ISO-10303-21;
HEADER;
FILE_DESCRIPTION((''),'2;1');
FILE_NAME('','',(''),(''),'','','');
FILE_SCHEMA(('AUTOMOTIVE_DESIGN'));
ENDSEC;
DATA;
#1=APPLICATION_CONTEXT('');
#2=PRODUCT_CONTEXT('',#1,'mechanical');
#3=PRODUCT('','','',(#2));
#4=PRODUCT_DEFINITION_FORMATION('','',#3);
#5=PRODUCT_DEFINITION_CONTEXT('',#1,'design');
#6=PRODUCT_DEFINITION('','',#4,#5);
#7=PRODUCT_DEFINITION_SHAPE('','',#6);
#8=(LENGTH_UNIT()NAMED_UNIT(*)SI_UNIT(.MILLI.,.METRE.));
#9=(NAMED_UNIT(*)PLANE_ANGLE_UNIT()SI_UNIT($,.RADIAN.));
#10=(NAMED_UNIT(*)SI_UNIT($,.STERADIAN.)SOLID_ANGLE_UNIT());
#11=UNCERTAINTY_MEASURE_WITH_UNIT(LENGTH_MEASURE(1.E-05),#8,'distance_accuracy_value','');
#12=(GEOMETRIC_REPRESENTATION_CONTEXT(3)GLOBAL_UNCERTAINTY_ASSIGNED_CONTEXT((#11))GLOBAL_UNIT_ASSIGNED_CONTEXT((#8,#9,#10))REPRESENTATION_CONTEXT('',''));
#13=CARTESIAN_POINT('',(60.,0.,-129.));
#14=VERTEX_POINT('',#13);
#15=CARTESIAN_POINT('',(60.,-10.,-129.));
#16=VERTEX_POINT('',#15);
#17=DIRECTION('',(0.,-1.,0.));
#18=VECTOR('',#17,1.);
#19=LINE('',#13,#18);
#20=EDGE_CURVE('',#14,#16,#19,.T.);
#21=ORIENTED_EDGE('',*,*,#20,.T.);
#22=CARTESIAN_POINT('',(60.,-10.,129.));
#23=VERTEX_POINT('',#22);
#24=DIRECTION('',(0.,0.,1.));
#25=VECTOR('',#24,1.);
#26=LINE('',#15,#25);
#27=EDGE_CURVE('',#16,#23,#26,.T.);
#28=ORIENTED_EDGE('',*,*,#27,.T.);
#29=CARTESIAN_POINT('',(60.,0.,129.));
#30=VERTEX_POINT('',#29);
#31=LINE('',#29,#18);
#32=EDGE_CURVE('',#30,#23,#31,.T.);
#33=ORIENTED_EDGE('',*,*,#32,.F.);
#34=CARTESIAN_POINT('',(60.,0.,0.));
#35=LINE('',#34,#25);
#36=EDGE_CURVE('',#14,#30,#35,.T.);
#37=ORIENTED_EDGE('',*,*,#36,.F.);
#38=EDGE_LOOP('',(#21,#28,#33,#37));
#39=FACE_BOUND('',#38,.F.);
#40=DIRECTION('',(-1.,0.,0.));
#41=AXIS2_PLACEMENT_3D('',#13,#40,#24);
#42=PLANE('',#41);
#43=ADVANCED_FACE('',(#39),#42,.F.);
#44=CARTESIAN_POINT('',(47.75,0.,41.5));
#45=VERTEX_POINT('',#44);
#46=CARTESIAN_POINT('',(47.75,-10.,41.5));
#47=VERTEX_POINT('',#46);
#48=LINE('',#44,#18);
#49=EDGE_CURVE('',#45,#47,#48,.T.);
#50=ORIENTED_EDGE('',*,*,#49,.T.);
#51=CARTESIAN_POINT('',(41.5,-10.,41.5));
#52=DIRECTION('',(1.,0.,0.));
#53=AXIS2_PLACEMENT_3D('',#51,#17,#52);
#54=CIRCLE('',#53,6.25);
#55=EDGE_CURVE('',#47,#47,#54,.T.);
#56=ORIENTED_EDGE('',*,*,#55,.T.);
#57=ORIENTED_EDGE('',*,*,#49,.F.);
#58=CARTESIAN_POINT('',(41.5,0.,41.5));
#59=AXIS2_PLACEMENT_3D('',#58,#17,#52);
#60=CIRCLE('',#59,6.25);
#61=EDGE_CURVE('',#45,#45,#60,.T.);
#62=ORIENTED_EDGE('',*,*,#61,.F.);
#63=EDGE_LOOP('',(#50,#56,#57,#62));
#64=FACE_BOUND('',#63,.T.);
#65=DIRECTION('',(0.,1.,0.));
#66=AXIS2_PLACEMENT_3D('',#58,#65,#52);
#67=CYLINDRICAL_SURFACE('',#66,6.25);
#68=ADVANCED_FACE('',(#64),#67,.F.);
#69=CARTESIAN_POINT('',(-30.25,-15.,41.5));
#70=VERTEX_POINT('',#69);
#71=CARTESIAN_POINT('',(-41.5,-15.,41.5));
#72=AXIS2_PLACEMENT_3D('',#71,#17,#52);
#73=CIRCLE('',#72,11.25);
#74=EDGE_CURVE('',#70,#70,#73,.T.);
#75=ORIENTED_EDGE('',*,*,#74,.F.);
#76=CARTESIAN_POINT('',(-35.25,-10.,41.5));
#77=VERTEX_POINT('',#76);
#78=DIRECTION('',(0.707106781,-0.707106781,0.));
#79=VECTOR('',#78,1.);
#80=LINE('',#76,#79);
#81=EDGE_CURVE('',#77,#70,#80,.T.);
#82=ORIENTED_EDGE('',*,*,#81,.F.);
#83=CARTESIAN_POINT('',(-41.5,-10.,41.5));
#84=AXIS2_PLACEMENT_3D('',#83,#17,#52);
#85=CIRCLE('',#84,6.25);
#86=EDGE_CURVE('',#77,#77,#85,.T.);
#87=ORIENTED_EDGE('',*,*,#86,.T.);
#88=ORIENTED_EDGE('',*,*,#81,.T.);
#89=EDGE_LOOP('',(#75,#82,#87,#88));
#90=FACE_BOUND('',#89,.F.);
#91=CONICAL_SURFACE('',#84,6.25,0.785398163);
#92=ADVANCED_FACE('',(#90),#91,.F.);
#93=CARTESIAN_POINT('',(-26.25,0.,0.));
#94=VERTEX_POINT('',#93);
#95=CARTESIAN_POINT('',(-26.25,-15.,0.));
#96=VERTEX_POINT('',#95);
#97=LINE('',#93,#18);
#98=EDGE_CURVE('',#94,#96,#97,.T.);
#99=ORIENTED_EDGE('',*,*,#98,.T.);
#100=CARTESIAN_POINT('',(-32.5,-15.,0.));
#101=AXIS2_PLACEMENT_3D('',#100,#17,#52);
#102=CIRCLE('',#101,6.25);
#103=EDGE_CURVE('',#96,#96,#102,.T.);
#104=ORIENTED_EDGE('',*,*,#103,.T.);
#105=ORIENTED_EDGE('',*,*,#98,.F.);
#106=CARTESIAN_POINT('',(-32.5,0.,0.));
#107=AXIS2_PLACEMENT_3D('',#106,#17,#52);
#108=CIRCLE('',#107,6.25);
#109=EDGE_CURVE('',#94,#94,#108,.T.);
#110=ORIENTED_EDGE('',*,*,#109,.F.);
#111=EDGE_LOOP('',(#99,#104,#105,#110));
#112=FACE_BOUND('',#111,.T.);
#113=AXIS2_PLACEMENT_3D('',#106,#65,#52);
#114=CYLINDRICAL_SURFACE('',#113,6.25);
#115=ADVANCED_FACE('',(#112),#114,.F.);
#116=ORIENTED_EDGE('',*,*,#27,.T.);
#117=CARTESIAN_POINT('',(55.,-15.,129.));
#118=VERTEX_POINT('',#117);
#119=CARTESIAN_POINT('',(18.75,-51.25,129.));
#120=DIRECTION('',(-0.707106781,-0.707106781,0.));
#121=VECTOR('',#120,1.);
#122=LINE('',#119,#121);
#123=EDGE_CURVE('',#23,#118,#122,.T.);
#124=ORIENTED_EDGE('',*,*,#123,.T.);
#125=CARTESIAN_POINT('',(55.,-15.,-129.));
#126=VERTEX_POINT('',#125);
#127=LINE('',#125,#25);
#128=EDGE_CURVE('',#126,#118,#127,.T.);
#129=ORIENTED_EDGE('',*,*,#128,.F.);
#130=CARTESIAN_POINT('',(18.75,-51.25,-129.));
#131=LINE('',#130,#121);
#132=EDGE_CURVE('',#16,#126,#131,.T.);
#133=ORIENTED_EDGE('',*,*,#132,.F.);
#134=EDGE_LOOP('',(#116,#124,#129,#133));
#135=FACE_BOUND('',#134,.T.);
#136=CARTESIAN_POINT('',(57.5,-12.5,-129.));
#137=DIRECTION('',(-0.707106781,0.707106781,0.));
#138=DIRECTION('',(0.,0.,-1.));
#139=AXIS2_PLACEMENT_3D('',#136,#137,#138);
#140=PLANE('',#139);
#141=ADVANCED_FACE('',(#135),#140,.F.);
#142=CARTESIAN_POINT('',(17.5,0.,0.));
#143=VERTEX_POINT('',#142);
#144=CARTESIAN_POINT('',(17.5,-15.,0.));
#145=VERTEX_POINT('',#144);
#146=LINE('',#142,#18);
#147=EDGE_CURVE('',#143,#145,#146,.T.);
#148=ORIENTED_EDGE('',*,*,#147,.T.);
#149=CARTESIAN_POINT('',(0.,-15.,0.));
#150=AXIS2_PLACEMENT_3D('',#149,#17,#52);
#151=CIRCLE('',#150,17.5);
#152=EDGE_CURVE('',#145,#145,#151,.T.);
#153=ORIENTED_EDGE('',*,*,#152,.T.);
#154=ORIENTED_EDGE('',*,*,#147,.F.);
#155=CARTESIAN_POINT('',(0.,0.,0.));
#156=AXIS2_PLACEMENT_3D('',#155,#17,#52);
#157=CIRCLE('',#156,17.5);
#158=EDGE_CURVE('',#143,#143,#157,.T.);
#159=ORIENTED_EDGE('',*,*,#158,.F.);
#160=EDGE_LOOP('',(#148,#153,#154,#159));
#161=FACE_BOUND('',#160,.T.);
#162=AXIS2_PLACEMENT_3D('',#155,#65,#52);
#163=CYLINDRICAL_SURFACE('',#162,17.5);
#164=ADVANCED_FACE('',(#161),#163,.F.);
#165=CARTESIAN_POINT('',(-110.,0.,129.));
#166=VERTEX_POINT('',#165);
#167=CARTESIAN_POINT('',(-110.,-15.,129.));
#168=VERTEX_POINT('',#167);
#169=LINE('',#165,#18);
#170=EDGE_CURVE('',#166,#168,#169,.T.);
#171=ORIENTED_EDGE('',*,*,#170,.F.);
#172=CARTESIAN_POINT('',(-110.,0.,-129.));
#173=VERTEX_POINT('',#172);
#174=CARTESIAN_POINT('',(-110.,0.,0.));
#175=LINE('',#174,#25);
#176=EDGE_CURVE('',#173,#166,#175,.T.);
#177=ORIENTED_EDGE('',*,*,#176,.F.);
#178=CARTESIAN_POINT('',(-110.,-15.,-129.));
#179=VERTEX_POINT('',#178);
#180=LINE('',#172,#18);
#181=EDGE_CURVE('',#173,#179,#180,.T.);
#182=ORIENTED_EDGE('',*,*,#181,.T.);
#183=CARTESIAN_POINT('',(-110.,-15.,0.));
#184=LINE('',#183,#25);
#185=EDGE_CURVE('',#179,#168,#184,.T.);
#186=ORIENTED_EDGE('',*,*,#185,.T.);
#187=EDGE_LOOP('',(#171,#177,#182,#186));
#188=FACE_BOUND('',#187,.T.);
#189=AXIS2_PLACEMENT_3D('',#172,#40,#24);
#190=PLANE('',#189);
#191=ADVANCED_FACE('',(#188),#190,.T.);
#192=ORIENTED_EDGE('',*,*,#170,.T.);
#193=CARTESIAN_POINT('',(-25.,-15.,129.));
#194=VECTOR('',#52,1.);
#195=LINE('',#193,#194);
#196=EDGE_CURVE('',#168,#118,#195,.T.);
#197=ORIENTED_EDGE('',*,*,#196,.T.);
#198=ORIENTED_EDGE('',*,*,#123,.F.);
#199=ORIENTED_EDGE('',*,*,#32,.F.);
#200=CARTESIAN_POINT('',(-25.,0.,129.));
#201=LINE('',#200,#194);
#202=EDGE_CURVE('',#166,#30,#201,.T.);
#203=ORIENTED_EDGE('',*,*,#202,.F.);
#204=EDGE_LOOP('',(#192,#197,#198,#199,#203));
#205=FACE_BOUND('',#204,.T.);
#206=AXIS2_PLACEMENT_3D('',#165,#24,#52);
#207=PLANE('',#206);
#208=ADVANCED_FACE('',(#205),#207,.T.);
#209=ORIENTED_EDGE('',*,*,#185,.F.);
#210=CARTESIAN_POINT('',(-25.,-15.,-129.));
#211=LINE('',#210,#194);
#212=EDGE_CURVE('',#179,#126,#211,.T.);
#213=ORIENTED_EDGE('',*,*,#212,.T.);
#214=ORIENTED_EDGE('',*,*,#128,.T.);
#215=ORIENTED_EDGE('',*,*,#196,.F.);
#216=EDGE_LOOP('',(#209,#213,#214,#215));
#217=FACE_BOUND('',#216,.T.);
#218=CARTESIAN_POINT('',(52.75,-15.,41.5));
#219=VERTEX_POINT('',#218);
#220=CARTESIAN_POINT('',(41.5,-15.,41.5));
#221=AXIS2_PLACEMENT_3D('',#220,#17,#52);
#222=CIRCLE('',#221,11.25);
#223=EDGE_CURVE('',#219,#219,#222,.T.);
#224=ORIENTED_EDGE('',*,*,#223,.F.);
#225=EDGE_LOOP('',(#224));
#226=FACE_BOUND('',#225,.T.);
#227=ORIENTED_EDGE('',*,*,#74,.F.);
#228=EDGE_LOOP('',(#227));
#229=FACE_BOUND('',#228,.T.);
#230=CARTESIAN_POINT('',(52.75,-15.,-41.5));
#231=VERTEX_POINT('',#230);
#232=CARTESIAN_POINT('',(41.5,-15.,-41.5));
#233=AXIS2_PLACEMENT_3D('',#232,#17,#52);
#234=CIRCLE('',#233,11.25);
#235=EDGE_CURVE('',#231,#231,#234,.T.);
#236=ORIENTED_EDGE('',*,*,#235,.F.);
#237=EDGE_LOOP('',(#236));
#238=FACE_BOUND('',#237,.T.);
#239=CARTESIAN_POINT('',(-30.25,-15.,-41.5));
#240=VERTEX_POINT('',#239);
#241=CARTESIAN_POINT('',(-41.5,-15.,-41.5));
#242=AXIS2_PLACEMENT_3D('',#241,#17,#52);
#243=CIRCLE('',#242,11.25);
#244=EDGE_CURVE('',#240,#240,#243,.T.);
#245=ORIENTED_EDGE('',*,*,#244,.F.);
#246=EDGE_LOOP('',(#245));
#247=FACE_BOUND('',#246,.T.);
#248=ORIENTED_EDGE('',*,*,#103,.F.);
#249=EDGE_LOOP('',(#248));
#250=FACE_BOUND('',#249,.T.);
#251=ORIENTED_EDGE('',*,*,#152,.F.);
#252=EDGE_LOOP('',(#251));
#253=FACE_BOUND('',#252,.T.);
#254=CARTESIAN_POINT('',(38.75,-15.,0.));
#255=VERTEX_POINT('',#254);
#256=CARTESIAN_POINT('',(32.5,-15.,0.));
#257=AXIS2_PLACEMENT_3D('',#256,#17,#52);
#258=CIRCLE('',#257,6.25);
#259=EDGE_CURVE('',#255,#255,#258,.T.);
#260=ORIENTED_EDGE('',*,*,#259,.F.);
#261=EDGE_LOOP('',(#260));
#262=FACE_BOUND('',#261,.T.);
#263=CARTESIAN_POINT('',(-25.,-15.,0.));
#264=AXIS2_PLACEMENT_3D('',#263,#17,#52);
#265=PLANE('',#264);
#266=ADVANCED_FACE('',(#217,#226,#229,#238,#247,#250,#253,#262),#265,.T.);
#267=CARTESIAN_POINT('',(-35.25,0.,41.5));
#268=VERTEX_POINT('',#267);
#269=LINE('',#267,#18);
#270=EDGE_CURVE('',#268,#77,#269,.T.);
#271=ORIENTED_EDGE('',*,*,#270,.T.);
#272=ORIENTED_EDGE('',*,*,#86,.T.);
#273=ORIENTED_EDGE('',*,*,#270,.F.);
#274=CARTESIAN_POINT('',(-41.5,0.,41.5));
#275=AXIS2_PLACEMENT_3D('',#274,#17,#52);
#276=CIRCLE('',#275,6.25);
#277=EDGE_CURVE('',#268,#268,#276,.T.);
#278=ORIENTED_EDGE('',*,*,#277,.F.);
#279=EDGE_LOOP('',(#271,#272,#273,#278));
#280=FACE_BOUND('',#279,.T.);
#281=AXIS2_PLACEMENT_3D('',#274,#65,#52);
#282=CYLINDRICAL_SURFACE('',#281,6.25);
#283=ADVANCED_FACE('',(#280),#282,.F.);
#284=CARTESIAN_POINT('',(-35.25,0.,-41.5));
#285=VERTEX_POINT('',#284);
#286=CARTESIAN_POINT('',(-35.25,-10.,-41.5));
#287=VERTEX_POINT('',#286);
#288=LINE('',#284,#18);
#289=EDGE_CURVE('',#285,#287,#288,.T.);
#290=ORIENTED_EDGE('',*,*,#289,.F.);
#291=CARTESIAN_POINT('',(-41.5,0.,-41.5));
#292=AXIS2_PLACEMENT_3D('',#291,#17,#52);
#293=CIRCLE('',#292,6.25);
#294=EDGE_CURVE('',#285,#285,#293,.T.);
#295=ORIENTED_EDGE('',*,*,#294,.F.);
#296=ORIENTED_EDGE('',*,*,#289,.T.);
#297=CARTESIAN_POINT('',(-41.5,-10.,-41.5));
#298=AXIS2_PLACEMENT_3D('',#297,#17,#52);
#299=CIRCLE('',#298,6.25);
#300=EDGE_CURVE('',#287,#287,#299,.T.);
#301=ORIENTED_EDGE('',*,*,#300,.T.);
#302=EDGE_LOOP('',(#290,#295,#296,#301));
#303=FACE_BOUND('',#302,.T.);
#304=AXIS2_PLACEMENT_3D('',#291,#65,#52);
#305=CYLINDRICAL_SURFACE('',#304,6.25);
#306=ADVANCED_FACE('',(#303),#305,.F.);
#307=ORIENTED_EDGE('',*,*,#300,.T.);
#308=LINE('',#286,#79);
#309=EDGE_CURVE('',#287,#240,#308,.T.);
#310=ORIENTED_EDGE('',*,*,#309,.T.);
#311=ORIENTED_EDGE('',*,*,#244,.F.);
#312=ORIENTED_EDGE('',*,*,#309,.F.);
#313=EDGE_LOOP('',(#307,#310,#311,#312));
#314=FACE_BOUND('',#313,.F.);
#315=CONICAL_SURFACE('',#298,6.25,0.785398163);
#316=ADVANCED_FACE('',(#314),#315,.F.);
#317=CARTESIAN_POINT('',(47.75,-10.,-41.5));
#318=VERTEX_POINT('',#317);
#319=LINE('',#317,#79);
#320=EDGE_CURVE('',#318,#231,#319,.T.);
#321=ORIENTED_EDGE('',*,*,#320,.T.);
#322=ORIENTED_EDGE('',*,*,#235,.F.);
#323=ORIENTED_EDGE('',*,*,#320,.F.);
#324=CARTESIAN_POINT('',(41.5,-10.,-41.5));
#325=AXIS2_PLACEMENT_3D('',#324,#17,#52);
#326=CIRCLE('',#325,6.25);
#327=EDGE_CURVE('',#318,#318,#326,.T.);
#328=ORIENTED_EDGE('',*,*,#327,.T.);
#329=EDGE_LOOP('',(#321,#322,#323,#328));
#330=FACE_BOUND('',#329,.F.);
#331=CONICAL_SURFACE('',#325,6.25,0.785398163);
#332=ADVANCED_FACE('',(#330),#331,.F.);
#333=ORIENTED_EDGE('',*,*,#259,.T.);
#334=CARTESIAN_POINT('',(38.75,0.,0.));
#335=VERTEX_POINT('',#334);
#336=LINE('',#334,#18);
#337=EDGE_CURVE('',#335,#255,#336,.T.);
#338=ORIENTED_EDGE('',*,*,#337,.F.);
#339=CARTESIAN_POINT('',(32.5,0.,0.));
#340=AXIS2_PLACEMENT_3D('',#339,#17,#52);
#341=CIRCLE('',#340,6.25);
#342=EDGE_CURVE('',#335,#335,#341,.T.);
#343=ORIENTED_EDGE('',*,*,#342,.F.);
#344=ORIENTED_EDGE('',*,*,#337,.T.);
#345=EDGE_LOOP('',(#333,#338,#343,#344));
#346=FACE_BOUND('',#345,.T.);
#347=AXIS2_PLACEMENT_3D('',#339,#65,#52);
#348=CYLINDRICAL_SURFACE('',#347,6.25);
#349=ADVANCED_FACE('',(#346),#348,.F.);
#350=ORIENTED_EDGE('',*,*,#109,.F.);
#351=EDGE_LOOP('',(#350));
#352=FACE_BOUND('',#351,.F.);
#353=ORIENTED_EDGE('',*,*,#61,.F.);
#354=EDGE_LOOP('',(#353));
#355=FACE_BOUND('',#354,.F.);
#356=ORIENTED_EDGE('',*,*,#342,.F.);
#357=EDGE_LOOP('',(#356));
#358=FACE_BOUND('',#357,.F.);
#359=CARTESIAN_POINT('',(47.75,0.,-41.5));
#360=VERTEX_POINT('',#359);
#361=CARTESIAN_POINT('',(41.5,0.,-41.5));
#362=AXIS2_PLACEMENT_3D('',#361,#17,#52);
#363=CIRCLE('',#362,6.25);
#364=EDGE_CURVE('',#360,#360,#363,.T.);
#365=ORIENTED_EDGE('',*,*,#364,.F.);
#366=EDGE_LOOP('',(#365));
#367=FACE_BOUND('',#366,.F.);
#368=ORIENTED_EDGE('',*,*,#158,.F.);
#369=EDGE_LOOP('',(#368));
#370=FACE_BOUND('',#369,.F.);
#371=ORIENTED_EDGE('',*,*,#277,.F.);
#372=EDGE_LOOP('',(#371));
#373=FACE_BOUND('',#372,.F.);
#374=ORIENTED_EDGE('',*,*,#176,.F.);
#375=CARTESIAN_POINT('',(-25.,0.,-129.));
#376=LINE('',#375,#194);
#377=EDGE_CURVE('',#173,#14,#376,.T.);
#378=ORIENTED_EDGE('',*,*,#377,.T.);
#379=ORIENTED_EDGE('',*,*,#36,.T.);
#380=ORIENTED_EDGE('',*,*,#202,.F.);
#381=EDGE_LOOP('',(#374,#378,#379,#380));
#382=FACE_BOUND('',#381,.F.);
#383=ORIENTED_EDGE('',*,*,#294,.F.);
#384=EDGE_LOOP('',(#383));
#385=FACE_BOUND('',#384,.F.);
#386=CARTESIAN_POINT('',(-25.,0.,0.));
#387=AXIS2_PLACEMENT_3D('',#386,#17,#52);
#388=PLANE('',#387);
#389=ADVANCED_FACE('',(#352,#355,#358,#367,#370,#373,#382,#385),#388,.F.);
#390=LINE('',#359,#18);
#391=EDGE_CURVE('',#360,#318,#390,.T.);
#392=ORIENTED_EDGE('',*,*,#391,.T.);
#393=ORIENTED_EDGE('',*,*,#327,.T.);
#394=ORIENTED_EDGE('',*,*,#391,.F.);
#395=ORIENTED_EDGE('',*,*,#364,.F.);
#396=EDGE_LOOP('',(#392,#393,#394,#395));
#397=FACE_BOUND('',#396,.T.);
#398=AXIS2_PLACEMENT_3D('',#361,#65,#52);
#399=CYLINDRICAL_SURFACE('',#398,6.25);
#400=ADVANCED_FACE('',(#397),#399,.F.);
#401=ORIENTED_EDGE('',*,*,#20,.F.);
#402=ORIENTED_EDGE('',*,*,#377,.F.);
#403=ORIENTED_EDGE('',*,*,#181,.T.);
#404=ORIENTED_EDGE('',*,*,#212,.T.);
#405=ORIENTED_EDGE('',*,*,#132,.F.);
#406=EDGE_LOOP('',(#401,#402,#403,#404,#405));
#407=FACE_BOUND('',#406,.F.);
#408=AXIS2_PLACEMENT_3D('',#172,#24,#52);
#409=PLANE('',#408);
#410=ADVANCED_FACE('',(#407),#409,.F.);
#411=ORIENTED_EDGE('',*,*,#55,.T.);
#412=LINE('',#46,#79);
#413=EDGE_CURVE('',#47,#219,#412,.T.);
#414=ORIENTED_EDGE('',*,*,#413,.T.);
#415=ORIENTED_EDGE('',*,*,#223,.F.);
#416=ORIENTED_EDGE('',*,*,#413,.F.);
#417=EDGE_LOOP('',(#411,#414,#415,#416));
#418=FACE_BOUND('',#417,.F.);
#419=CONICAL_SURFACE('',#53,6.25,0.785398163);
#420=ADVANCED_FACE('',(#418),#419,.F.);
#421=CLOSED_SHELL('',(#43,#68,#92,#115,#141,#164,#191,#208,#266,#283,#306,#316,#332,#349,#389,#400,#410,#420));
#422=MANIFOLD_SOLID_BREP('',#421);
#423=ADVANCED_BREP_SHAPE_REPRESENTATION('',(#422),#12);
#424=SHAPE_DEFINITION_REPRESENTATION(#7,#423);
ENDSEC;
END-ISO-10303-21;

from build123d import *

# Parameters (mm, degrees)
F0_W     = 170
F0_H     = 258
F0_R     = 6.25
F0_R_2   = 17.5
F1_DEPTH = 15
F2_SIZE2 = 5
F2_SIZE  = 5


with BuildPart() as f1:
    # F0 (on Front) → F1 (new body)
    with BuildSketch(Plane.XZ):
        with Locations((-25, 0)):
            Rectangle(F0_W, F0_H)
        with Locations((-41.5, -41.5)):
            Circle(F0_R, mode=Mode.SUBTRACT)
        with Locations((41.5, -41.5)):
            Circle(F0_R, mode=Mode.SUBTRACT)
        with Locations((-32.5, 0)):
            Circle(F0_R, mode=Mode.SUBTRACT)
        with Locations((-41.5, 41.5)):
            Circle(F0_R, mode=Mode.SUBTRACT)
        Circle(F0_R_2, mode=Mode.SUBTRACT)
        with Locations((32.5, 0)):
            Circle(F0_R, mode=Mode.SUBTRACT)
        with Locations((41.5, 41.5)):
            Circle(F0_R, mode=Mode.SUBTRACT)
    extrude(amount=F1_DEPTH)

    # F2
    f2_edges = [f1.edges().sort_by_distance(p)[0] for p in [
        (-47.75, -15, 41.5),
        (35.25, -15, 41.5),
        (-47.75, -15, -41.5),
        (35.25, -15, -41.5),
        (60, -15, 0),
    ]]
    chamfer(f2_edges, length=F2_SIZE, length2=F2_SIZE2)


solid = f1.part
